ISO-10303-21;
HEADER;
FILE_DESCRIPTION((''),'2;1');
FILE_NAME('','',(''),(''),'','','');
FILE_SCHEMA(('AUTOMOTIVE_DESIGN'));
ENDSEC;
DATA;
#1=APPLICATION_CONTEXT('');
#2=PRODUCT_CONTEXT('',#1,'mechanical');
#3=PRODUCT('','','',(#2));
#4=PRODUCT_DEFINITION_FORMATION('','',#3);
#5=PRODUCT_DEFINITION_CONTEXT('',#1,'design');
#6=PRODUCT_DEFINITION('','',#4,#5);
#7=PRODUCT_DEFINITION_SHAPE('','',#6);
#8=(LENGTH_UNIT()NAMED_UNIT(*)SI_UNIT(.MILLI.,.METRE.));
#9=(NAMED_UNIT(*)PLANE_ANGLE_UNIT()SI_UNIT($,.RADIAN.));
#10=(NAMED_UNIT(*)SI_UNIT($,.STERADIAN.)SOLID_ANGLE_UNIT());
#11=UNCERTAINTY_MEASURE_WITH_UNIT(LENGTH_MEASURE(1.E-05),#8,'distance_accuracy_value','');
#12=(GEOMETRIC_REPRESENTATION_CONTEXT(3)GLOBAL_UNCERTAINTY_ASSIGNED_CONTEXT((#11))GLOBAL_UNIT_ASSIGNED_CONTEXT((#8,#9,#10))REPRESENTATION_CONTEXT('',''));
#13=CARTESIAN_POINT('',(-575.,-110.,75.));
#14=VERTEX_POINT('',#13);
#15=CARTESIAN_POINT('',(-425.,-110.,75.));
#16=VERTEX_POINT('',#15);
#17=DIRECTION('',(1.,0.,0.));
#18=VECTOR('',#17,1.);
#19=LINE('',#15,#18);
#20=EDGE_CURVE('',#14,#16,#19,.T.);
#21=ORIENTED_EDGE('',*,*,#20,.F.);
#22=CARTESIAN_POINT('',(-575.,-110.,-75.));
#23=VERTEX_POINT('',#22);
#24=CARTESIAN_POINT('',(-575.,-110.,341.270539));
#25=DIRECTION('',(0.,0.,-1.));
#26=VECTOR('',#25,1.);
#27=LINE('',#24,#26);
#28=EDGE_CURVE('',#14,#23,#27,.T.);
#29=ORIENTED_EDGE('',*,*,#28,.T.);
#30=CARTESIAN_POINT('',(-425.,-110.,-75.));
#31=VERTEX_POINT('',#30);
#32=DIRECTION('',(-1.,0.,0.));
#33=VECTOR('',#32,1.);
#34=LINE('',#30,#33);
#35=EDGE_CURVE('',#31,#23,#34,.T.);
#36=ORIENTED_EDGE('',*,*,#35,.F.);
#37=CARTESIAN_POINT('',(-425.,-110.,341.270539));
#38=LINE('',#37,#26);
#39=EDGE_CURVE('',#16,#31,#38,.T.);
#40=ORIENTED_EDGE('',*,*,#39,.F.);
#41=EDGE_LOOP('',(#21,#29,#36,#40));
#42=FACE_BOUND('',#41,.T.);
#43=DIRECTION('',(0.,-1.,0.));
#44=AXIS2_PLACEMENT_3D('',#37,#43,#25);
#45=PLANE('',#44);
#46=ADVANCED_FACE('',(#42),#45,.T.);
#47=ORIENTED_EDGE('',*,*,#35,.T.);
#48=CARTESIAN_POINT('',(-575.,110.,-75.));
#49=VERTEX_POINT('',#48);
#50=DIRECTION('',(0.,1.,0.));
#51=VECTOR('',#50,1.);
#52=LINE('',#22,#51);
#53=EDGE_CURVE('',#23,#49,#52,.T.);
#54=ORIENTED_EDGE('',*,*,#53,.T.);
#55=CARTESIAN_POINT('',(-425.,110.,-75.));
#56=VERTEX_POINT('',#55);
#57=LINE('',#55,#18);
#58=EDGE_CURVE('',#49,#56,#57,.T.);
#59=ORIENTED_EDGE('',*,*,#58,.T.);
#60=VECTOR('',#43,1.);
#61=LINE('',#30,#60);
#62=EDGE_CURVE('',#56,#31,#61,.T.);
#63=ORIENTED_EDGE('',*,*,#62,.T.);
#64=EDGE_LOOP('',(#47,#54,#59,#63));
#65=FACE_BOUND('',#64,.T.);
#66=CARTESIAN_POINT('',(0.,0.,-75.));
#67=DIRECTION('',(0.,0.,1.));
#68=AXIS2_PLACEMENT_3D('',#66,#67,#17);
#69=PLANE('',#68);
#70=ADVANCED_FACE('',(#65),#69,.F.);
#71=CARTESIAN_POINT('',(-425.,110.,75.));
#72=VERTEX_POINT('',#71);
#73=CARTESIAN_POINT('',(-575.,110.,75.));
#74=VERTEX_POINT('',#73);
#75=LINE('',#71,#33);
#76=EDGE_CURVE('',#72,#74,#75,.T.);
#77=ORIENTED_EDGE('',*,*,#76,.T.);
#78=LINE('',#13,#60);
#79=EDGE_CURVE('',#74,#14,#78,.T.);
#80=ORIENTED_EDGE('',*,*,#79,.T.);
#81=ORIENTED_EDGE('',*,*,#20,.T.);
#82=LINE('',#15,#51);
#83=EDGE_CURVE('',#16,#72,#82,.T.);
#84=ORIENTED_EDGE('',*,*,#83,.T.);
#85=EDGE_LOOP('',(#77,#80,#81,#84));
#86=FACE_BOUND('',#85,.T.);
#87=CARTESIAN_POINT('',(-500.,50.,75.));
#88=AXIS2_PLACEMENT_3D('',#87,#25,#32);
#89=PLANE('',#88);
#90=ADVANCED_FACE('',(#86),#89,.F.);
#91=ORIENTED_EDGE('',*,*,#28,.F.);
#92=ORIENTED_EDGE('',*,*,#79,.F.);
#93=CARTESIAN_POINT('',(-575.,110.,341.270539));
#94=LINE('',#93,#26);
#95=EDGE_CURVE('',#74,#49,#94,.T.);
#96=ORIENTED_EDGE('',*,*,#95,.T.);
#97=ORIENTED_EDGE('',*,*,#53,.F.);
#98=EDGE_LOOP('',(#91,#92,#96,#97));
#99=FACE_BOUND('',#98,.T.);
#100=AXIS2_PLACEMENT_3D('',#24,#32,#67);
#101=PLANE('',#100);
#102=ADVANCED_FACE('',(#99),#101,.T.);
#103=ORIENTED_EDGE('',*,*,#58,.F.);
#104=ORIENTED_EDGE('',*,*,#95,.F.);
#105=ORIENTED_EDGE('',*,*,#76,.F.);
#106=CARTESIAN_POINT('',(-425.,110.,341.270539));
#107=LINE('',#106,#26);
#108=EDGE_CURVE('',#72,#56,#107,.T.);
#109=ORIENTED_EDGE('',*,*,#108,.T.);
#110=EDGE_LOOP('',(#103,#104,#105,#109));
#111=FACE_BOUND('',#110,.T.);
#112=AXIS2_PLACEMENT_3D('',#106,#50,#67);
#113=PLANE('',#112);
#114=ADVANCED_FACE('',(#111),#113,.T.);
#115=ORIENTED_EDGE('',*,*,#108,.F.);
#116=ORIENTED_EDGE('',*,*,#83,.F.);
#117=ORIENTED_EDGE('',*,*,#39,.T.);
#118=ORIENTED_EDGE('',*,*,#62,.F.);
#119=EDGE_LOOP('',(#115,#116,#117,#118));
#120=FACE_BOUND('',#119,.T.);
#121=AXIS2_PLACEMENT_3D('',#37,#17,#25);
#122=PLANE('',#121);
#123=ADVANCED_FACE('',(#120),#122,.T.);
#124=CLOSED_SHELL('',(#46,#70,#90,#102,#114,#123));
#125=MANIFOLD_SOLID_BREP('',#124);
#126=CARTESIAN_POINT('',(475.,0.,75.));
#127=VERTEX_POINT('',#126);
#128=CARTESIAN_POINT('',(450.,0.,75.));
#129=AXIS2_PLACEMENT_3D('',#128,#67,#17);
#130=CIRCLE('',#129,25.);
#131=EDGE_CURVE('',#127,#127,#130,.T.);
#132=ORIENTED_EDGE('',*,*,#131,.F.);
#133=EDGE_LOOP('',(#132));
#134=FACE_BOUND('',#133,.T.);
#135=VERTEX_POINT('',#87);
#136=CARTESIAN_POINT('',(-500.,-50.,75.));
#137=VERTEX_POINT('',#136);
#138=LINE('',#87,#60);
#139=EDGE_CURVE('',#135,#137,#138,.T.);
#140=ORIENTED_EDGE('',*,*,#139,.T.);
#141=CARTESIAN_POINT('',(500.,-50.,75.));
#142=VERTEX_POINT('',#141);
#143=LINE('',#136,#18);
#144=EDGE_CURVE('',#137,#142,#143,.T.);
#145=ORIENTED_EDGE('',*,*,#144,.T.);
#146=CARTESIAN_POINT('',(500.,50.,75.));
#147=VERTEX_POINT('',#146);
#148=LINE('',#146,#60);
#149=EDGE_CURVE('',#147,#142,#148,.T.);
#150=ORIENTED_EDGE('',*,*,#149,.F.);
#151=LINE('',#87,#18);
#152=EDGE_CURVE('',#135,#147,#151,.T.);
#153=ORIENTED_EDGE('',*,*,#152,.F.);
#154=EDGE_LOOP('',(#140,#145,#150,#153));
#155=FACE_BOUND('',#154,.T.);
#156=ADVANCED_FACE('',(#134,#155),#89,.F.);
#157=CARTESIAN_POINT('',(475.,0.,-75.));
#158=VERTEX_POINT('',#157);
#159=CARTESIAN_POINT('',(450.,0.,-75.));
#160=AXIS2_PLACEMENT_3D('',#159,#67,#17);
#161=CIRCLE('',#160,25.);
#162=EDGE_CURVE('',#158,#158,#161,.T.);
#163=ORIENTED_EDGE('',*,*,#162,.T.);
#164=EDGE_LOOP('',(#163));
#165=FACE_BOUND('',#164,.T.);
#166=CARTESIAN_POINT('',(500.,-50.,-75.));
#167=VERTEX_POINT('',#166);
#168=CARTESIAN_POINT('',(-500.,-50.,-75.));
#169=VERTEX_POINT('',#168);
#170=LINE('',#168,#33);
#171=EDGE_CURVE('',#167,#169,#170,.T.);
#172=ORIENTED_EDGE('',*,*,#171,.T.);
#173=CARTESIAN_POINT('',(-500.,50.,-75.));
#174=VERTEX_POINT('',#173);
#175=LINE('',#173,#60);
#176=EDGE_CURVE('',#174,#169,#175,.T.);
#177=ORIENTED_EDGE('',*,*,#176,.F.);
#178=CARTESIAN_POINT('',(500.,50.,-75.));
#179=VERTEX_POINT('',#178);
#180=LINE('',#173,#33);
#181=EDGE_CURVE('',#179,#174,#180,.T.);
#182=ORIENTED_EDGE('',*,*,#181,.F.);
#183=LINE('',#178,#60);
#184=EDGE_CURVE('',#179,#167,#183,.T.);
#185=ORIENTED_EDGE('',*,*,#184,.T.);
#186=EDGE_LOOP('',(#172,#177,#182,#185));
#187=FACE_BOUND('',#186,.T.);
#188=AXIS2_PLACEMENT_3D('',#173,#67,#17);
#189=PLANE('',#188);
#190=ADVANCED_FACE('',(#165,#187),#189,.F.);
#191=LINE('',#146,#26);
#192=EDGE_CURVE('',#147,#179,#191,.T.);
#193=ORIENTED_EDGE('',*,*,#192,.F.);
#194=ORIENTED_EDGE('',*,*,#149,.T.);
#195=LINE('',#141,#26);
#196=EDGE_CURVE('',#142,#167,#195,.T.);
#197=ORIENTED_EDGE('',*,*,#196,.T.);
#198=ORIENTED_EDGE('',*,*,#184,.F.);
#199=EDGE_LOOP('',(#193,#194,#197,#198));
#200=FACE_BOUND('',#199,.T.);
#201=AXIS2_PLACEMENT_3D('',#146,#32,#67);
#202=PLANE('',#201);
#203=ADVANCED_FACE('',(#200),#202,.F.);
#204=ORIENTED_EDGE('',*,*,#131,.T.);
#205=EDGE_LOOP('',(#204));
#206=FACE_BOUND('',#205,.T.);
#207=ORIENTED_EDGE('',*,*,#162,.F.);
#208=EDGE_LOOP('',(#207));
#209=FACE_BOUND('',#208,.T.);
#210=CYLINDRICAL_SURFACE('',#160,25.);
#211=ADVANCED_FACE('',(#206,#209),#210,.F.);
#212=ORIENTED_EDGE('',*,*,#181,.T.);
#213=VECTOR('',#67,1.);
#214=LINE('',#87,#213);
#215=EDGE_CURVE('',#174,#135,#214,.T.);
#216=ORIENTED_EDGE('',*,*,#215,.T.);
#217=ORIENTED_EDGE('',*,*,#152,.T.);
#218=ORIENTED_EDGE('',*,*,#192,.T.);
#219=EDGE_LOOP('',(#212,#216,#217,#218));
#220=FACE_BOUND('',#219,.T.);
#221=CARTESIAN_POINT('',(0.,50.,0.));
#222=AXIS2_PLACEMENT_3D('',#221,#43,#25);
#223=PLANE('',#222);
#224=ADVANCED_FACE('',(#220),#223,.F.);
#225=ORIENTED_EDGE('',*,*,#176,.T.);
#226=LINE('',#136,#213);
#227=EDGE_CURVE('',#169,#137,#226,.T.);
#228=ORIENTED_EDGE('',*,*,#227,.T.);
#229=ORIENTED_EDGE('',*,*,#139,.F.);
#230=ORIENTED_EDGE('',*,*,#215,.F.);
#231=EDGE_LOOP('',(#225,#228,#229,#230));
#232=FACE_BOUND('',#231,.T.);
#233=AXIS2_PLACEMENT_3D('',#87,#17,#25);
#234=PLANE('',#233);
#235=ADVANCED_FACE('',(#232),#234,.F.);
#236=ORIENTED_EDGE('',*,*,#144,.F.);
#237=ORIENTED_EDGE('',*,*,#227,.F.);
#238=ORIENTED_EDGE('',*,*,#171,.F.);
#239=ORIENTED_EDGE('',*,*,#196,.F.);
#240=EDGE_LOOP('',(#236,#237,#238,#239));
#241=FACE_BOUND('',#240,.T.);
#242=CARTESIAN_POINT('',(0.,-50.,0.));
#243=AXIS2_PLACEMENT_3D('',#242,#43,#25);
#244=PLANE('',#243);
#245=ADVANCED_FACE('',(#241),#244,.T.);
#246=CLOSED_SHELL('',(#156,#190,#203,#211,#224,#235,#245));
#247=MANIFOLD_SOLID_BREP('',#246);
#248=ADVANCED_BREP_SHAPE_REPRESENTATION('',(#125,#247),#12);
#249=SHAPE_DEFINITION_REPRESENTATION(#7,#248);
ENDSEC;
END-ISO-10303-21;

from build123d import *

# Parameters (mm, degrees)
SKETCH1_W           = 1000
SKETCH1_H           = 150
BOSS_EXTRUDE1_DEPTH = 50
SKETCH2_R           = 25
CUT_EXTRUDE1_DEPTH  = 151
SKETCH4_W           = 150
SKETCH4_H           = 220
BOSS_EXTRUDE3_DEPTH = 150


with BuildPart() as part:
    # Sketch1 → Boss-Extrude1 (new body, symmetric)
    with BuildSketch(Plane(origin=(0, 0, 0), x_dir=(1, 0, 0), z_dir=(0, 1, 0))):
        Rectangle(SKETCH1_W, SKETCH1_H)
    extrude(amount=BOSS_EXTRUDE1_DEPTH, both=True)

    # Sketch2 → Cut-Extrude1 (cut, through all)
    with BuildSketch(Plane.XY.offset(75)):
        with Locations((450, 0)):
            Circle(SKETCH2_R)
    extrude(amount=-CUT_EXTRUDE1_DEPTH, mode=Mode.SUBTRACT)


with BuildPart() as body_2:
    # Sketch4 → Boss-Extrude3 (new body)
    with BuildSketch(Plane(origin=(0, 0, -75), x_dir=(-1, 0, 0), z_dir=(0, 0, -1))):
        with Locations((500, 0)):
            Rectangle(SKETCH4_W, SKETCH4_H)
    extrude(amount=-BOSS_EXTRUDE3_DEPTH)


solid = Compound([part.part, body_2.part])
